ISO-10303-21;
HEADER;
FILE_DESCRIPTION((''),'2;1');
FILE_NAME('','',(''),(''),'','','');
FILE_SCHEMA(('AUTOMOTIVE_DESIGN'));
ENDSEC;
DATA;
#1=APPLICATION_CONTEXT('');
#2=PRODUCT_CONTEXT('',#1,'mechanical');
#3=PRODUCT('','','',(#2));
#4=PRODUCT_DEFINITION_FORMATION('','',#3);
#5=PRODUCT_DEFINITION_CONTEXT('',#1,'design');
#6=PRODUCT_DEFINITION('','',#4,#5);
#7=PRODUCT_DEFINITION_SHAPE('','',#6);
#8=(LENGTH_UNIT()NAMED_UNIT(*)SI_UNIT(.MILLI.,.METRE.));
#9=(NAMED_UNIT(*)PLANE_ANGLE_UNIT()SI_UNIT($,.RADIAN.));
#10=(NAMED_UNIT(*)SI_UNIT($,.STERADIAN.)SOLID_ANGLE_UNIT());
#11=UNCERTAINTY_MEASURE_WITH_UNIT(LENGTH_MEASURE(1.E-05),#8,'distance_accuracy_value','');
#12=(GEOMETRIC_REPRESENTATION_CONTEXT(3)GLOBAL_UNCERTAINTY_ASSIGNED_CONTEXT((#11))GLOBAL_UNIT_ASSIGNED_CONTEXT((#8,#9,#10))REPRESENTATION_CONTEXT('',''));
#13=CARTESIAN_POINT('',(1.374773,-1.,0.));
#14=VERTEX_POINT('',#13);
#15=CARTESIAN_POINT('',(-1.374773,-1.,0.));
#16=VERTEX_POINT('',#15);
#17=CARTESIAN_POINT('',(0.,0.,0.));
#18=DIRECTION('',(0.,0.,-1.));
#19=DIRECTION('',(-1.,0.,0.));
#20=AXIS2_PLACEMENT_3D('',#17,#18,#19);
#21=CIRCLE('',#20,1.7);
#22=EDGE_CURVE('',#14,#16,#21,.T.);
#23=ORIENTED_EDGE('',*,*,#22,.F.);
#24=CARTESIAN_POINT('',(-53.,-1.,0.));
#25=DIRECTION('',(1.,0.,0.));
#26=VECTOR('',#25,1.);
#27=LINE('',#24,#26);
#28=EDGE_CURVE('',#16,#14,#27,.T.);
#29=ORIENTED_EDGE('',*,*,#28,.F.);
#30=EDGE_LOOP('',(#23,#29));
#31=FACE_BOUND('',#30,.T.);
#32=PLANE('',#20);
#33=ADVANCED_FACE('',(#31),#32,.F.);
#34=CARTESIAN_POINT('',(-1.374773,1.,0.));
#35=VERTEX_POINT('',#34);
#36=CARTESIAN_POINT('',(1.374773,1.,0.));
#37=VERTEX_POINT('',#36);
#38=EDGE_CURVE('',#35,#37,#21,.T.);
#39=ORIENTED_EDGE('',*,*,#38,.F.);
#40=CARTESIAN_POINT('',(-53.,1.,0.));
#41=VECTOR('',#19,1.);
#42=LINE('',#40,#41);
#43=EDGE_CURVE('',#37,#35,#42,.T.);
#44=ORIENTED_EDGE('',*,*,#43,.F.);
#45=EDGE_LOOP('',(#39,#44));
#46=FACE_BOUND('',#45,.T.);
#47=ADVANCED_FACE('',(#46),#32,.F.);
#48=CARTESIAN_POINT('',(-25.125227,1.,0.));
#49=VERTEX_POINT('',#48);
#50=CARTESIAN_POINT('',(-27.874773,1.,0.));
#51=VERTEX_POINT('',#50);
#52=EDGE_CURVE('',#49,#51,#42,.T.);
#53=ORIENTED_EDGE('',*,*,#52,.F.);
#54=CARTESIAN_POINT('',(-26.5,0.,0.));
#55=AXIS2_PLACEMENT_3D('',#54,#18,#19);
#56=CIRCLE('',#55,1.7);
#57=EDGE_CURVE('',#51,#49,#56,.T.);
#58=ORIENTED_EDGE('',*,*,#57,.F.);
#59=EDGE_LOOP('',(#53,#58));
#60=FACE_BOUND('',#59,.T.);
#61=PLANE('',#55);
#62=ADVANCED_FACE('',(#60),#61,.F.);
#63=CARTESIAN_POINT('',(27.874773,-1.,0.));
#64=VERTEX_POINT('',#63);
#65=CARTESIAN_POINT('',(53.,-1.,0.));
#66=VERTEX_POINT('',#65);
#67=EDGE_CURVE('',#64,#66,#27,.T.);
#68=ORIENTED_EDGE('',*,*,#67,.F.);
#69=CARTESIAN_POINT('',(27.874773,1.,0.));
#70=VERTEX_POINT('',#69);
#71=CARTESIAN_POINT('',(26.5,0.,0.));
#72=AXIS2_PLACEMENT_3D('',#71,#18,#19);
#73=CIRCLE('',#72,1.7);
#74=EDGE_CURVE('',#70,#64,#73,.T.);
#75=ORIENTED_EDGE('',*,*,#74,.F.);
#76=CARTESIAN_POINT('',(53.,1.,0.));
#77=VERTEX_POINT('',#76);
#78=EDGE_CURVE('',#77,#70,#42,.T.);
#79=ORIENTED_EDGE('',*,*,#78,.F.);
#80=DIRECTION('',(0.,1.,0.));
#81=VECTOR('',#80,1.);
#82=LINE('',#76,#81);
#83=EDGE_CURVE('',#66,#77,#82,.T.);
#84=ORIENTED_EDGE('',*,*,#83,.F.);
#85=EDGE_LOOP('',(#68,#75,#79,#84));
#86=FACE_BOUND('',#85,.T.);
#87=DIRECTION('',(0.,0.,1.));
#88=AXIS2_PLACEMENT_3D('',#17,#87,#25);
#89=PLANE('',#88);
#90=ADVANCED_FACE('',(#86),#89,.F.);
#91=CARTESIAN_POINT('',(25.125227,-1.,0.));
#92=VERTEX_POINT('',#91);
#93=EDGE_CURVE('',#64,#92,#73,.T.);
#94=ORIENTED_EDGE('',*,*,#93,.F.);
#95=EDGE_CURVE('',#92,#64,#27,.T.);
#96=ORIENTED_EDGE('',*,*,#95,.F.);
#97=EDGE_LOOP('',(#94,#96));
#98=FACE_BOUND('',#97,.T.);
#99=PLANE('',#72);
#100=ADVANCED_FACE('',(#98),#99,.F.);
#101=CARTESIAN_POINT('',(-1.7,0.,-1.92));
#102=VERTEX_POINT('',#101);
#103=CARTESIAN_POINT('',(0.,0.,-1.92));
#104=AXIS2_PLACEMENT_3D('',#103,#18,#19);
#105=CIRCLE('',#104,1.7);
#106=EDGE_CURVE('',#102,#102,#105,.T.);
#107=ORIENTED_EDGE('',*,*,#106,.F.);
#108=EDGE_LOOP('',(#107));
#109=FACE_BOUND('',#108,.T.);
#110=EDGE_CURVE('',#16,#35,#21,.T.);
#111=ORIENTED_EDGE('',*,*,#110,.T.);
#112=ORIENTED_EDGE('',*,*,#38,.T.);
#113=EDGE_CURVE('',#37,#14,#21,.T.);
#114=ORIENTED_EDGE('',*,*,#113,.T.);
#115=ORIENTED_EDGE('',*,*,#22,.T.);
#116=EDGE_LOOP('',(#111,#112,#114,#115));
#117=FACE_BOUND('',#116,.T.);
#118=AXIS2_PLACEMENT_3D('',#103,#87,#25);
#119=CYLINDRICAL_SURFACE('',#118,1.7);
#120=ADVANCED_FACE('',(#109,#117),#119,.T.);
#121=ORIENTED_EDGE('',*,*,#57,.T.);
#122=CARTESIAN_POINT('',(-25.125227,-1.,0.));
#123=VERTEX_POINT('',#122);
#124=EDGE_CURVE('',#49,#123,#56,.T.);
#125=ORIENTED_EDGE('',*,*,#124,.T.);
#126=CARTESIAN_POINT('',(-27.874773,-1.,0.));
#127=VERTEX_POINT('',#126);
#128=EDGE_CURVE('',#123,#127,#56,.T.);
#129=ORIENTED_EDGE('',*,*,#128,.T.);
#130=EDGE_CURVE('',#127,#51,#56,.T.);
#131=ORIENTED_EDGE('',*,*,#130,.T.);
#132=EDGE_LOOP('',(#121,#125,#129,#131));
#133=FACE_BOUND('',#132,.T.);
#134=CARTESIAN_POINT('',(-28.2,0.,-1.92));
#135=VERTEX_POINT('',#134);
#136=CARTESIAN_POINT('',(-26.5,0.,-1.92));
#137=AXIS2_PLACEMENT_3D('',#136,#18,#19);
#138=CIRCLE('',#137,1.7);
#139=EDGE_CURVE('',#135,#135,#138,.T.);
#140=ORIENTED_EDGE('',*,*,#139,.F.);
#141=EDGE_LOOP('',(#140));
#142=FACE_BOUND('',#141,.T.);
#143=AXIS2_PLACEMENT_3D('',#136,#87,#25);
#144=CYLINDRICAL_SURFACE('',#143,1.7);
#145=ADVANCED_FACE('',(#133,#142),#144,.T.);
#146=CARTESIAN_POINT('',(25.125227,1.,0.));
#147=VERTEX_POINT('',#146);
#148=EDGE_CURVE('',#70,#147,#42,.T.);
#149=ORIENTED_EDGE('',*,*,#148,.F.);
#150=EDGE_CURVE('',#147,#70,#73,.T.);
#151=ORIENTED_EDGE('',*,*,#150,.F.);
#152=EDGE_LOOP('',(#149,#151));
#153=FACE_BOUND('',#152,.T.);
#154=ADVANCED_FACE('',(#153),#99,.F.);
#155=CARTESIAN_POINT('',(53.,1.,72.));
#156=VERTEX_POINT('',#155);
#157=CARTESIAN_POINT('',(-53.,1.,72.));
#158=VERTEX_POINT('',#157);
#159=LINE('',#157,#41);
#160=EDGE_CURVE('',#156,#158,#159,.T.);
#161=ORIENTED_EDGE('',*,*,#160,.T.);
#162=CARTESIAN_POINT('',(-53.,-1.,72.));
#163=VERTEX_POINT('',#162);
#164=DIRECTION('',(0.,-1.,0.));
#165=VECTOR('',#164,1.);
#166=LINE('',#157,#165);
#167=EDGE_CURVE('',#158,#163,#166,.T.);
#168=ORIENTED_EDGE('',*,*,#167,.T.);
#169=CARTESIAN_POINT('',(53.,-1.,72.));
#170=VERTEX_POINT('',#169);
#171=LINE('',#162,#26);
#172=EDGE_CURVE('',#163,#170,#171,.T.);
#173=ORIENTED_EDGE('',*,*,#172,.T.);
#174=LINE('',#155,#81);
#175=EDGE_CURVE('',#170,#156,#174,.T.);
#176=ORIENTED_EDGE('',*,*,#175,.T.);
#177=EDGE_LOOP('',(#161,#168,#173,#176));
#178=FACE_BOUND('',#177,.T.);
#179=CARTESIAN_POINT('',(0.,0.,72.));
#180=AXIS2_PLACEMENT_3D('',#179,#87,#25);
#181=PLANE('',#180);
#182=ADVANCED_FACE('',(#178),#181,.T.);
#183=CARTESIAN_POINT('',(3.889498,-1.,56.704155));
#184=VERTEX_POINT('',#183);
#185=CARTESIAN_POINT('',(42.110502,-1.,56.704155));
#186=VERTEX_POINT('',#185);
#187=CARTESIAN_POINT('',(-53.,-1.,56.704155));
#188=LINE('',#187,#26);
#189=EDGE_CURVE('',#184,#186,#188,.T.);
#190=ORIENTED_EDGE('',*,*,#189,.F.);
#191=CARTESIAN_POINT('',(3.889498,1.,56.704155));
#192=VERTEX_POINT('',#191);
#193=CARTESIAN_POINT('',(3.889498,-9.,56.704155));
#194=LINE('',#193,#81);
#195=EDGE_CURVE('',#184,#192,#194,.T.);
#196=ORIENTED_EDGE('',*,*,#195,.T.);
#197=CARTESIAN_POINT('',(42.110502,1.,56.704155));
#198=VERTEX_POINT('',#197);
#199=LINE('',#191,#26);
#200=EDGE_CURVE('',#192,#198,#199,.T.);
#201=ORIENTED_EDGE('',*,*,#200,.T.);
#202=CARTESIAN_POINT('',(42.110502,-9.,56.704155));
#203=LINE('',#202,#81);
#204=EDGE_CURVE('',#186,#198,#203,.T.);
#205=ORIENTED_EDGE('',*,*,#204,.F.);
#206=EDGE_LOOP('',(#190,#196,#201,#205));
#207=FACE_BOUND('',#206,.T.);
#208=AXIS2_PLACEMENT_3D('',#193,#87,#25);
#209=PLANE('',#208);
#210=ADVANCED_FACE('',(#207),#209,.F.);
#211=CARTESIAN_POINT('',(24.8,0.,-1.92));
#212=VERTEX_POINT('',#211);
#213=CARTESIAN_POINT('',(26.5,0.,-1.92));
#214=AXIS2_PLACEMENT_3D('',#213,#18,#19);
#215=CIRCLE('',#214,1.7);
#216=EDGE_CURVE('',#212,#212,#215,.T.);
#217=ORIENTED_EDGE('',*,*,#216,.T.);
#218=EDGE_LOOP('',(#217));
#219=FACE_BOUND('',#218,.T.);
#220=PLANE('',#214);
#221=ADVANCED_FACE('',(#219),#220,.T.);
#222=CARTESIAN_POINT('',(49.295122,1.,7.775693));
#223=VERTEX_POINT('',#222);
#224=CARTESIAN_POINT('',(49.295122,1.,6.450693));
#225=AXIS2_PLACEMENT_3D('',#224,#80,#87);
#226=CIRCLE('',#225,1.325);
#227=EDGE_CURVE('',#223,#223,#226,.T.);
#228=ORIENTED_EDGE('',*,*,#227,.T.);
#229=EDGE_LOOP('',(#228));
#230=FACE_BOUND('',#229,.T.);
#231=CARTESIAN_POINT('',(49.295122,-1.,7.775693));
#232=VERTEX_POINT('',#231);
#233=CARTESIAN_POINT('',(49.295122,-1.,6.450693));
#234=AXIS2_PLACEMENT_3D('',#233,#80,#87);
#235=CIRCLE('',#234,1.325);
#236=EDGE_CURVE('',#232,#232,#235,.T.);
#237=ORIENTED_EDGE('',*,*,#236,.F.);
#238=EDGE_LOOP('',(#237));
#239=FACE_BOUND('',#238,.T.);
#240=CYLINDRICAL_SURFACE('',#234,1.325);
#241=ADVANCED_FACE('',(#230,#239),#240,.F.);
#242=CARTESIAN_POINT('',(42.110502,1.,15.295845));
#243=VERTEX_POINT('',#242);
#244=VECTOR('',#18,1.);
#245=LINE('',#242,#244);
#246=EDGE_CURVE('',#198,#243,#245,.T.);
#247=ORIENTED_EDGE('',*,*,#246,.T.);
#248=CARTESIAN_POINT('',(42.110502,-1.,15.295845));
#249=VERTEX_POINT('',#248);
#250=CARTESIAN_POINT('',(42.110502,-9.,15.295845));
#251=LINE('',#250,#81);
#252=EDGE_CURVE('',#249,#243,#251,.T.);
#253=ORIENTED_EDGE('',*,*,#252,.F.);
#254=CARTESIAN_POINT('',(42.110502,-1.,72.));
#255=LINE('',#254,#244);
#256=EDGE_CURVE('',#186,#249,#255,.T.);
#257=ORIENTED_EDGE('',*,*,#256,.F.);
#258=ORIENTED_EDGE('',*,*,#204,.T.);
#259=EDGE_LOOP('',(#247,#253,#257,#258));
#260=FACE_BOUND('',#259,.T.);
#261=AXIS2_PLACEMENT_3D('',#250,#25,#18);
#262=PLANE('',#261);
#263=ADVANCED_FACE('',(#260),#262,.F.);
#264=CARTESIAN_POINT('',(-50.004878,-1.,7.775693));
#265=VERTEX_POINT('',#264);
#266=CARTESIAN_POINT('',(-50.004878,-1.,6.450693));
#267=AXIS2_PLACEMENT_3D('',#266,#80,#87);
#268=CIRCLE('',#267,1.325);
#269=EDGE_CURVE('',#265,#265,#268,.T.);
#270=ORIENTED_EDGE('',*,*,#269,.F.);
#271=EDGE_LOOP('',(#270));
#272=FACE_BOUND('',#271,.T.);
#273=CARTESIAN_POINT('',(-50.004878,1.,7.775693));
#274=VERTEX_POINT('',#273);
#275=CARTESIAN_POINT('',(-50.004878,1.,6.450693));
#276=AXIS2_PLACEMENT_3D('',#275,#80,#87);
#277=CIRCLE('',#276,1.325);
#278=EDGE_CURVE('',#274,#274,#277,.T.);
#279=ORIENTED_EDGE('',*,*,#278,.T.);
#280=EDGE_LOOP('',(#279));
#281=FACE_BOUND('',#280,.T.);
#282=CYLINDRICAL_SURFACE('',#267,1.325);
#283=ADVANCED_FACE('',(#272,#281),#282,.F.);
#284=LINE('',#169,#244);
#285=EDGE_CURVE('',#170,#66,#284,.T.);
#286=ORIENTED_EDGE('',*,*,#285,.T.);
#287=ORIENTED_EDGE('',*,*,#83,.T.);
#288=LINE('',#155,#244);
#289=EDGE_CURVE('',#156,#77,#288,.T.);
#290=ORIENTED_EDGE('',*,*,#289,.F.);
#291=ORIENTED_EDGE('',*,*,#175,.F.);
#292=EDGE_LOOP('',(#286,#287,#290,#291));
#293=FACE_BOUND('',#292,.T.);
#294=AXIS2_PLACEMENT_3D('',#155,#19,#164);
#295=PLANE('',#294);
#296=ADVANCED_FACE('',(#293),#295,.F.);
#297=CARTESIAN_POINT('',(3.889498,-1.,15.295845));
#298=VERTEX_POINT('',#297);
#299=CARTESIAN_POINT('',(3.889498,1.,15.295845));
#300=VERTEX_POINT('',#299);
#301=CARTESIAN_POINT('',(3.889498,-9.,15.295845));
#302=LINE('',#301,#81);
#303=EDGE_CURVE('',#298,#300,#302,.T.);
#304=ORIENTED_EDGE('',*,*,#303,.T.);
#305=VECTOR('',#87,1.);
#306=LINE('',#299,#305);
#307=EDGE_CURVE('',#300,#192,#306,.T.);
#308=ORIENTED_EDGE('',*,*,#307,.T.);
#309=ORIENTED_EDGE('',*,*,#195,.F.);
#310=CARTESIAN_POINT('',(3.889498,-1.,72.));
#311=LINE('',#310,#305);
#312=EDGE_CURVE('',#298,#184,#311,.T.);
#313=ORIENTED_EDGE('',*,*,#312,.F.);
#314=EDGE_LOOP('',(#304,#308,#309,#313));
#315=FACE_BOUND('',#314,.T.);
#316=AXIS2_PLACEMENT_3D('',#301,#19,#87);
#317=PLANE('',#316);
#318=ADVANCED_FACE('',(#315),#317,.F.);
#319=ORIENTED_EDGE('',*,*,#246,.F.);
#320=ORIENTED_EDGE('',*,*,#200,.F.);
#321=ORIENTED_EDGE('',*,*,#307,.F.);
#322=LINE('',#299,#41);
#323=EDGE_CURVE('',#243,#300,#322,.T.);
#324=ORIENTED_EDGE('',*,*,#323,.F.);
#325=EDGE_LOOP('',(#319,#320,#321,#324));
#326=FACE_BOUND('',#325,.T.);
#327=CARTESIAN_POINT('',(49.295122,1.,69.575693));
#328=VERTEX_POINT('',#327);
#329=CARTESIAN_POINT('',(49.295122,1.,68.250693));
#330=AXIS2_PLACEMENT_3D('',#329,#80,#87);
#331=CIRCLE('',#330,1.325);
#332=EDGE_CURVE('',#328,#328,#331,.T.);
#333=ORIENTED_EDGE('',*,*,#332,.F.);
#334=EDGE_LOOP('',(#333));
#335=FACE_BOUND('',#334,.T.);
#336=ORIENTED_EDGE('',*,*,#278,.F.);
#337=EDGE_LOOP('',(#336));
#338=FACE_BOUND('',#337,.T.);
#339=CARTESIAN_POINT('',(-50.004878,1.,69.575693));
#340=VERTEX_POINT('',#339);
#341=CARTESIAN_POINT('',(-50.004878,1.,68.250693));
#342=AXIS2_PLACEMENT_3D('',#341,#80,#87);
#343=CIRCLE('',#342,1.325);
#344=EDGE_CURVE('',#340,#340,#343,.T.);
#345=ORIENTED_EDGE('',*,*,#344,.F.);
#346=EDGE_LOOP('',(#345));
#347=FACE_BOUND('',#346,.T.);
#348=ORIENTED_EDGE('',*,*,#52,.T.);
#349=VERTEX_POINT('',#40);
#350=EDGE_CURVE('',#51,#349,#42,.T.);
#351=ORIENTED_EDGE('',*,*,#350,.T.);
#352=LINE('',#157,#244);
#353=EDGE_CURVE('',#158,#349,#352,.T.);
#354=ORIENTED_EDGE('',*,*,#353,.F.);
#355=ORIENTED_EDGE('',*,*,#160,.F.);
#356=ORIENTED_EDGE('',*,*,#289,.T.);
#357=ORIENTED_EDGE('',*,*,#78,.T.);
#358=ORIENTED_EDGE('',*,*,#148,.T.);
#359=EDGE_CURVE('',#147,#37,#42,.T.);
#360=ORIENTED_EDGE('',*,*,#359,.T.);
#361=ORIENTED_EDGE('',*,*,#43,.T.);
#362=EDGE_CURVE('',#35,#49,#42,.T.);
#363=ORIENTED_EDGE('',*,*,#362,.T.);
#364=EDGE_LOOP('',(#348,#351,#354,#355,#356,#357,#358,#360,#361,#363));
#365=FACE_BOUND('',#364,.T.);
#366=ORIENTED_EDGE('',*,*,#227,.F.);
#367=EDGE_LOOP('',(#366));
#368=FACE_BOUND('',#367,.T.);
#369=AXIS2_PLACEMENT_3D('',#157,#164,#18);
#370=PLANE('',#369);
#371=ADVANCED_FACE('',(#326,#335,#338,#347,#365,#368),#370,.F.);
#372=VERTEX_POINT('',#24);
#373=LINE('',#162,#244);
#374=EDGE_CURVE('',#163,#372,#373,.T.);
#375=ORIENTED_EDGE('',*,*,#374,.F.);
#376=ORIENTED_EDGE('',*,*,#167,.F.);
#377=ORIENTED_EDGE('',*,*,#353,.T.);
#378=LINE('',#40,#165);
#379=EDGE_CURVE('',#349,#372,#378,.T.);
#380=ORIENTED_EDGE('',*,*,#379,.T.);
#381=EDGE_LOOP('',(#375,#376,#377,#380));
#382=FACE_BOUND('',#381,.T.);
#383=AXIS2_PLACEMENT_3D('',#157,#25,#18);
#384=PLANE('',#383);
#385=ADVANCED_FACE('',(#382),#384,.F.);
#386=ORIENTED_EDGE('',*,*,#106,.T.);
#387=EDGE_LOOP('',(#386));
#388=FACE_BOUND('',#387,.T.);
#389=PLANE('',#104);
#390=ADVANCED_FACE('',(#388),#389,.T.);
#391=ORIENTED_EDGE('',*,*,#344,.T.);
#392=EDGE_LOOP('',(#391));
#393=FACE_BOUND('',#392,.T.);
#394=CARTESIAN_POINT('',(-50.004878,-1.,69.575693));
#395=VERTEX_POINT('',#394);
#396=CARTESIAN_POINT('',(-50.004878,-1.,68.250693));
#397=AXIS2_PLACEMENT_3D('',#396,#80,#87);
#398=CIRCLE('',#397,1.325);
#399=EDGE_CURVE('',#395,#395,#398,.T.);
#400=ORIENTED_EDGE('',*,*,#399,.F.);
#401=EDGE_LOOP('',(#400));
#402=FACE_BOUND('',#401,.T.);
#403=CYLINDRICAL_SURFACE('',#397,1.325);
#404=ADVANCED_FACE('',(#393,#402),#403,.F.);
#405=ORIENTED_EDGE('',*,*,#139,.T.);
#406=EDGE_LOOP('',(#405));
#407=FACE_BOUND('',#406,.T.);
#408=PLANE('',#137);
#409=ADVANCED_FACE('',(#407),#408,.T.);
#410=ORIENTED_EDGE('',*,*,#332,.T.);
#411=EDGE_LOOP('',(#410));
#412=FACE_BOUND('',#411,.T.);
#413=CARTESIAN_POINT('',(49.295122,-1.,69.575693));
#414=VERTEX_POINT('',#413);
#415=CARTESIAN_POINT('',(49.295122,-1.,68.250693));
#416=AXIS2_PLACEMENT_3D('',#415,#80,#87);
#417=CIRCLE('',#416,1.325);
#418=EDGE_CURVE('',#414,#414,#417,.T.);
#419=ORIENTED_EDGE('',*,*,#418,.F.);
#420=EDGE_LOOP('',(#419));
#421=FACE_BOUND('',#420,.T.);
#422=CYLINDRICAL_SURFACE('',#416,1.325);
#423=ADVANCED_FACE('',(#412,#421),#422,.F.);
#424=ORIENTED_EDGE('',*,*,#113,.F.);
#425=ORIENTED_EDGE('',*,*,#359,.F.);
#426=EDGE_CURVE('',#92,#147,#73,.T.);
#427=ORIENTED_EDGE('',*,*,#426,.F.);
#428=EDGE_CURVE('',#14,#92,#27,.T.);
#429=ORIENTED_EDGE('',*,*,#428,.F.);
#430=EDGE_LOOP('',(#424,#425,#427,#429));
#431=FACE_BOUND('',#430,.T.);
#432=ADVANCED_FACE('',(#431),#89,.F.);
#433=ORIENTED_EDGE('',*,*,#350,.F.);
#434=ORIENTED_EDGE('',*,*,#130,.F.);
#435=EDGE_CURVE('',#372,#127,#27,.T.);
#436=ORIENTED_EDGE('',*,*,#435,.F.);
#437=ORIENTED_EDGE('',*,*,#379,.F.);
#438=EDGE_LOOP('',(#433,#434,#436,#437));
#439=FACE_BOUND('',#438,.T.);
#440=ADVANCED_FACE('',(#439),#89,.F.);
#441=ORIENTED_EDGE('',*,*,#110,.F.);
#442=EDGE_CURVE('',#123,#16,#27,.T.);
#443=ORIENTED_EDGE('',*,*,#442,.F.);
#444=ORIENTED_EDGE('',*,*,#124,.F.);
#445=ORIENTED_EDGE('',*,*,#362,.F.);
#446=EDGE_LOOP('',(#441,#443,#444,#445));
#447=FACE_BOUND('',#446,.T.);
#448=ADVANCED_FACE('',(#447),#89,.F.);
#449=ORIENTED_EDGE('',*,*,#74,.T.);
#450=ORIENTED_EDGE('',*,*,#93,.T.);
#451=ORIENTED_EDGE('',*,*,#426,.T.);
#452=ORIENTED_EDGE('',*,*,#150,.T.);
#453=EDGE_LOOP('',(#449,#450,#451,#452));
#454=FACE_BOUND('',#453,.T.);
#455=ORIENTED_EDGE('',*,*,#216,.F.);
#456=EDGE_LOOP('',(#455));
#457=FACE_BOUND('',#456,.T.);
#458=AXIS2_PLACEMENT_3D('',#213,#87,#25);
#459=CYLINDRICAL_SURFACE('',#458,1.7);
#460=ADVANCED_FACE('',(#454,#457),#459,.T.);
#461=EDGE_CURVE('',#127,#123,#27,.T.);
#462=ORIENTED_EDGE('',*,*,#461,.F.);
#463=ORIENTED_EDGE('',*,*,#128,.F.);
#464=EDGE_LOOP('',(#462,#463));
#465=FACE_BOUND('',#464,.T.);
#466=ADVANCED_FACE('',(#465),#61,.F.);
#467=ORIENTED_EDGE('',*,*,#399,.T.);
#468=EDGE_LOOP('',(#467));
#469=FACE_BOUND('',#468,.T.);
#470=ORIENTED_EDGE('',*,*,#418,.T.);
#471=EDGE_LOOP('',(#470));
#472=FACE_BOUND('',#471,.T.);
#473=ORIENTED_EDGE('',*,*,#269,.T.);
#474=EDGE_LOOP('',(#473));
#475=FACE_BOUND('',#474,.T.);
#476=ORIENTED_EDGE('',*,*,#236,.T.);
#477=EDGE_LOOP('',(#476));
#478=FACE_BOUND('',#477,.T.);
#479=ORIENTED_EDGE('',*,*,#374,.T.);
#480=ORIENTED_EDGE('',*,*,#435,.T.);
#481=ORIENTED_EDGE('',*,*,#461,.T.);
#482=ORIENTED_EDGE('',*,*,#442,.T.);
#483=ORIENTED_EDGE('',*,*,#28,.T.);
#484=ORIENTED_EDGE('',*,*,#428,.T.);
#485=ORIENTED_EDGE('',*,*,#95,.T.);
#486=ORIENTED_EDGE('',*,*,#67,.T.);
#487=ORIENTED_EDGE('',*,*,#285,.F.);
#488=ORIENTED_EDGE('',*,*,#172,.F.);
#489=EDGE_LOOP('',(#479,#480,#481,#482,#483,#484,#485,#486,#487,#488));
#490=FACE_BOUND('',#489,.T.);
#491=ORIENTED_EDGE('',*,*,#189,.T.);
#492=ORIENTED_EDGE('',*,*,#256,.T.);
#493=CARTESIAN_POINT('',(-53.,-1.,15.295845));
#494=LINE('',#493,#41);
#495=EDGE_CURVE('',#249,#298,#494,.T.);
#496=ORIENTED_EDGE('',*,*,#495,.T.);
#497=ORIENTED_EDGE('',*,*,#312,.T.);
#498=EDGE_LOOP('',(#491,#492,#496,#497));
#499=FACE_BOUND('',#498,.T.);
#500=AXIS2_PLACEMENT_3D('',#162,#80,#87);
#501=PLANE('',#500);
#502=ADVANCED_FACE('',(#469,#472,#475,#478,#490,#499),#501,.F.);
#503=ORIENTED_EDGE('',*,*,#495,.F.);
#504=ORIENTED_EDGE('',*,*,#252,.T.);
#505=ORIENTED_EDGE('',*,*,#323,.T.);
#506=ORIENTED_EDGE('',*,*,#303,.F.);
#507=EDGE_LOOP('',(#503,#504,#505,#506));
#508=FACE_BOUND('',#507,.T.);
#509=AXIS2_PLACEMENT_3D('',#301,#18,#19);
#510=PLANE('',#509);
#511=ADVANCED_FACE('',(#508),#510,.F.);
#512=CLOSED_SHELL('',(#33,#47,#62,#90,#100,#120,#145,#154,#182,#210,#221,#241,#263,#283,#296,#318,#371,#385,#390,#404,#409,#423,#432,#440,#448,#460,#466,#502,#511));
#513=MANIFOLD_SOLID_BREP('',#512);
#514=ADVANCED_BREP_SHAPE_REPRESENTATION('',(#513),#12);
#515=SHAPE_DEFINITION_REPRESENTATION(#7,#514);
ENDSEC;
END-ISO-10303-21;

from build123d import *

# Parameters (mm, degrees)
SKETCH2_W           = 106
SKETCH2_H           = 2
BOSS_EXTRUDE1_DEPTH = 72
SKETCH4_R           = 1.325
CUT_EXTRUDE1_DEPTH  = 90.425947018
SKETCH6_W           = 38.22100301
SKETCH6_H           = 41.408309334
CUT_EXTRUDE3_DEPTH  = 10
SKETCH5_R           = 1.7
BOSS_EXTRUDE2_DEPTH = 1.92


with BuildPart() as part:
    # Sketch2 → Boss-Extrude1 (new body)
    with BuildSketch(Plane.XY):
        Rectangle(SKETCH2_W, SKETCH2_H)
    extrude(amount=BOSS_EXTRUDE1_DEPTH)

    # Sketch4 → Cut-Extrude1 (cut, through all)
    with BuildSketch(Plane(origin=(0, 1, 0), x_dir=(1, 0, 0), z_dir=(0, 1, 0))):
        with Locations(Location((-50.004878073, -6.450693227, 0), (0, 0, 270))):
            Circle(SKETCH4_R)
        with Locations(Location((-50.004878073, -68.250693227, 0), (0, 0, 270))):
            Circle(SKETCH4_R)
        with Locations(Location((49.295121927, -68.250693227, 0), (0, 0, 270))):
            Circle(SKETCH4_R)
        with Locations(Location((49.295121927, -6.450693227, 0), (0, 0, 270))):
            Circle(SKETCH4_R)
    extrude(amount=-CUT_EXTRUDE1_DEPTH, mode=Mode.SUBTRACT)

    # Sketch6 → Cut-Extrude3 (cut)
    with BuildSketch(Plane(origin=(0, 1, 0), x_dir=(1, 0, 0), z_dir=(0, 1, 0))):
        with Locations((23, -36)):
            Rectangle(SKETCH6_W, SKETCH6_H)
    extrude(amount=-CUT_EXTRUDE3_DEPTH, mode=Mode.SUBTRACT)

    # Sketch5 → Boss-Extrude2 (add)
    with BuildSketch(Plane(origin=(0, 0, 0), x_dir=(-1, 0, 0), z_dir=(0, 0, -1))):
        with Locations(Location((0, 0, 0), (0, 0, 216.031879072))):
            Circle(SKETCH5_R)
        with Locations(Location((26.5, 0, 0), (0, 0, 143.968120928))):
            Circle(SKETCH5_R)
        with Locations(Location((-26.5, 0, 0), (0, 0, 143.968120928))):
            Circle(SKETCH5_R)
    extrude(amount=BOSS_EXTRUDE2_DEPTH)


solid = part.part
